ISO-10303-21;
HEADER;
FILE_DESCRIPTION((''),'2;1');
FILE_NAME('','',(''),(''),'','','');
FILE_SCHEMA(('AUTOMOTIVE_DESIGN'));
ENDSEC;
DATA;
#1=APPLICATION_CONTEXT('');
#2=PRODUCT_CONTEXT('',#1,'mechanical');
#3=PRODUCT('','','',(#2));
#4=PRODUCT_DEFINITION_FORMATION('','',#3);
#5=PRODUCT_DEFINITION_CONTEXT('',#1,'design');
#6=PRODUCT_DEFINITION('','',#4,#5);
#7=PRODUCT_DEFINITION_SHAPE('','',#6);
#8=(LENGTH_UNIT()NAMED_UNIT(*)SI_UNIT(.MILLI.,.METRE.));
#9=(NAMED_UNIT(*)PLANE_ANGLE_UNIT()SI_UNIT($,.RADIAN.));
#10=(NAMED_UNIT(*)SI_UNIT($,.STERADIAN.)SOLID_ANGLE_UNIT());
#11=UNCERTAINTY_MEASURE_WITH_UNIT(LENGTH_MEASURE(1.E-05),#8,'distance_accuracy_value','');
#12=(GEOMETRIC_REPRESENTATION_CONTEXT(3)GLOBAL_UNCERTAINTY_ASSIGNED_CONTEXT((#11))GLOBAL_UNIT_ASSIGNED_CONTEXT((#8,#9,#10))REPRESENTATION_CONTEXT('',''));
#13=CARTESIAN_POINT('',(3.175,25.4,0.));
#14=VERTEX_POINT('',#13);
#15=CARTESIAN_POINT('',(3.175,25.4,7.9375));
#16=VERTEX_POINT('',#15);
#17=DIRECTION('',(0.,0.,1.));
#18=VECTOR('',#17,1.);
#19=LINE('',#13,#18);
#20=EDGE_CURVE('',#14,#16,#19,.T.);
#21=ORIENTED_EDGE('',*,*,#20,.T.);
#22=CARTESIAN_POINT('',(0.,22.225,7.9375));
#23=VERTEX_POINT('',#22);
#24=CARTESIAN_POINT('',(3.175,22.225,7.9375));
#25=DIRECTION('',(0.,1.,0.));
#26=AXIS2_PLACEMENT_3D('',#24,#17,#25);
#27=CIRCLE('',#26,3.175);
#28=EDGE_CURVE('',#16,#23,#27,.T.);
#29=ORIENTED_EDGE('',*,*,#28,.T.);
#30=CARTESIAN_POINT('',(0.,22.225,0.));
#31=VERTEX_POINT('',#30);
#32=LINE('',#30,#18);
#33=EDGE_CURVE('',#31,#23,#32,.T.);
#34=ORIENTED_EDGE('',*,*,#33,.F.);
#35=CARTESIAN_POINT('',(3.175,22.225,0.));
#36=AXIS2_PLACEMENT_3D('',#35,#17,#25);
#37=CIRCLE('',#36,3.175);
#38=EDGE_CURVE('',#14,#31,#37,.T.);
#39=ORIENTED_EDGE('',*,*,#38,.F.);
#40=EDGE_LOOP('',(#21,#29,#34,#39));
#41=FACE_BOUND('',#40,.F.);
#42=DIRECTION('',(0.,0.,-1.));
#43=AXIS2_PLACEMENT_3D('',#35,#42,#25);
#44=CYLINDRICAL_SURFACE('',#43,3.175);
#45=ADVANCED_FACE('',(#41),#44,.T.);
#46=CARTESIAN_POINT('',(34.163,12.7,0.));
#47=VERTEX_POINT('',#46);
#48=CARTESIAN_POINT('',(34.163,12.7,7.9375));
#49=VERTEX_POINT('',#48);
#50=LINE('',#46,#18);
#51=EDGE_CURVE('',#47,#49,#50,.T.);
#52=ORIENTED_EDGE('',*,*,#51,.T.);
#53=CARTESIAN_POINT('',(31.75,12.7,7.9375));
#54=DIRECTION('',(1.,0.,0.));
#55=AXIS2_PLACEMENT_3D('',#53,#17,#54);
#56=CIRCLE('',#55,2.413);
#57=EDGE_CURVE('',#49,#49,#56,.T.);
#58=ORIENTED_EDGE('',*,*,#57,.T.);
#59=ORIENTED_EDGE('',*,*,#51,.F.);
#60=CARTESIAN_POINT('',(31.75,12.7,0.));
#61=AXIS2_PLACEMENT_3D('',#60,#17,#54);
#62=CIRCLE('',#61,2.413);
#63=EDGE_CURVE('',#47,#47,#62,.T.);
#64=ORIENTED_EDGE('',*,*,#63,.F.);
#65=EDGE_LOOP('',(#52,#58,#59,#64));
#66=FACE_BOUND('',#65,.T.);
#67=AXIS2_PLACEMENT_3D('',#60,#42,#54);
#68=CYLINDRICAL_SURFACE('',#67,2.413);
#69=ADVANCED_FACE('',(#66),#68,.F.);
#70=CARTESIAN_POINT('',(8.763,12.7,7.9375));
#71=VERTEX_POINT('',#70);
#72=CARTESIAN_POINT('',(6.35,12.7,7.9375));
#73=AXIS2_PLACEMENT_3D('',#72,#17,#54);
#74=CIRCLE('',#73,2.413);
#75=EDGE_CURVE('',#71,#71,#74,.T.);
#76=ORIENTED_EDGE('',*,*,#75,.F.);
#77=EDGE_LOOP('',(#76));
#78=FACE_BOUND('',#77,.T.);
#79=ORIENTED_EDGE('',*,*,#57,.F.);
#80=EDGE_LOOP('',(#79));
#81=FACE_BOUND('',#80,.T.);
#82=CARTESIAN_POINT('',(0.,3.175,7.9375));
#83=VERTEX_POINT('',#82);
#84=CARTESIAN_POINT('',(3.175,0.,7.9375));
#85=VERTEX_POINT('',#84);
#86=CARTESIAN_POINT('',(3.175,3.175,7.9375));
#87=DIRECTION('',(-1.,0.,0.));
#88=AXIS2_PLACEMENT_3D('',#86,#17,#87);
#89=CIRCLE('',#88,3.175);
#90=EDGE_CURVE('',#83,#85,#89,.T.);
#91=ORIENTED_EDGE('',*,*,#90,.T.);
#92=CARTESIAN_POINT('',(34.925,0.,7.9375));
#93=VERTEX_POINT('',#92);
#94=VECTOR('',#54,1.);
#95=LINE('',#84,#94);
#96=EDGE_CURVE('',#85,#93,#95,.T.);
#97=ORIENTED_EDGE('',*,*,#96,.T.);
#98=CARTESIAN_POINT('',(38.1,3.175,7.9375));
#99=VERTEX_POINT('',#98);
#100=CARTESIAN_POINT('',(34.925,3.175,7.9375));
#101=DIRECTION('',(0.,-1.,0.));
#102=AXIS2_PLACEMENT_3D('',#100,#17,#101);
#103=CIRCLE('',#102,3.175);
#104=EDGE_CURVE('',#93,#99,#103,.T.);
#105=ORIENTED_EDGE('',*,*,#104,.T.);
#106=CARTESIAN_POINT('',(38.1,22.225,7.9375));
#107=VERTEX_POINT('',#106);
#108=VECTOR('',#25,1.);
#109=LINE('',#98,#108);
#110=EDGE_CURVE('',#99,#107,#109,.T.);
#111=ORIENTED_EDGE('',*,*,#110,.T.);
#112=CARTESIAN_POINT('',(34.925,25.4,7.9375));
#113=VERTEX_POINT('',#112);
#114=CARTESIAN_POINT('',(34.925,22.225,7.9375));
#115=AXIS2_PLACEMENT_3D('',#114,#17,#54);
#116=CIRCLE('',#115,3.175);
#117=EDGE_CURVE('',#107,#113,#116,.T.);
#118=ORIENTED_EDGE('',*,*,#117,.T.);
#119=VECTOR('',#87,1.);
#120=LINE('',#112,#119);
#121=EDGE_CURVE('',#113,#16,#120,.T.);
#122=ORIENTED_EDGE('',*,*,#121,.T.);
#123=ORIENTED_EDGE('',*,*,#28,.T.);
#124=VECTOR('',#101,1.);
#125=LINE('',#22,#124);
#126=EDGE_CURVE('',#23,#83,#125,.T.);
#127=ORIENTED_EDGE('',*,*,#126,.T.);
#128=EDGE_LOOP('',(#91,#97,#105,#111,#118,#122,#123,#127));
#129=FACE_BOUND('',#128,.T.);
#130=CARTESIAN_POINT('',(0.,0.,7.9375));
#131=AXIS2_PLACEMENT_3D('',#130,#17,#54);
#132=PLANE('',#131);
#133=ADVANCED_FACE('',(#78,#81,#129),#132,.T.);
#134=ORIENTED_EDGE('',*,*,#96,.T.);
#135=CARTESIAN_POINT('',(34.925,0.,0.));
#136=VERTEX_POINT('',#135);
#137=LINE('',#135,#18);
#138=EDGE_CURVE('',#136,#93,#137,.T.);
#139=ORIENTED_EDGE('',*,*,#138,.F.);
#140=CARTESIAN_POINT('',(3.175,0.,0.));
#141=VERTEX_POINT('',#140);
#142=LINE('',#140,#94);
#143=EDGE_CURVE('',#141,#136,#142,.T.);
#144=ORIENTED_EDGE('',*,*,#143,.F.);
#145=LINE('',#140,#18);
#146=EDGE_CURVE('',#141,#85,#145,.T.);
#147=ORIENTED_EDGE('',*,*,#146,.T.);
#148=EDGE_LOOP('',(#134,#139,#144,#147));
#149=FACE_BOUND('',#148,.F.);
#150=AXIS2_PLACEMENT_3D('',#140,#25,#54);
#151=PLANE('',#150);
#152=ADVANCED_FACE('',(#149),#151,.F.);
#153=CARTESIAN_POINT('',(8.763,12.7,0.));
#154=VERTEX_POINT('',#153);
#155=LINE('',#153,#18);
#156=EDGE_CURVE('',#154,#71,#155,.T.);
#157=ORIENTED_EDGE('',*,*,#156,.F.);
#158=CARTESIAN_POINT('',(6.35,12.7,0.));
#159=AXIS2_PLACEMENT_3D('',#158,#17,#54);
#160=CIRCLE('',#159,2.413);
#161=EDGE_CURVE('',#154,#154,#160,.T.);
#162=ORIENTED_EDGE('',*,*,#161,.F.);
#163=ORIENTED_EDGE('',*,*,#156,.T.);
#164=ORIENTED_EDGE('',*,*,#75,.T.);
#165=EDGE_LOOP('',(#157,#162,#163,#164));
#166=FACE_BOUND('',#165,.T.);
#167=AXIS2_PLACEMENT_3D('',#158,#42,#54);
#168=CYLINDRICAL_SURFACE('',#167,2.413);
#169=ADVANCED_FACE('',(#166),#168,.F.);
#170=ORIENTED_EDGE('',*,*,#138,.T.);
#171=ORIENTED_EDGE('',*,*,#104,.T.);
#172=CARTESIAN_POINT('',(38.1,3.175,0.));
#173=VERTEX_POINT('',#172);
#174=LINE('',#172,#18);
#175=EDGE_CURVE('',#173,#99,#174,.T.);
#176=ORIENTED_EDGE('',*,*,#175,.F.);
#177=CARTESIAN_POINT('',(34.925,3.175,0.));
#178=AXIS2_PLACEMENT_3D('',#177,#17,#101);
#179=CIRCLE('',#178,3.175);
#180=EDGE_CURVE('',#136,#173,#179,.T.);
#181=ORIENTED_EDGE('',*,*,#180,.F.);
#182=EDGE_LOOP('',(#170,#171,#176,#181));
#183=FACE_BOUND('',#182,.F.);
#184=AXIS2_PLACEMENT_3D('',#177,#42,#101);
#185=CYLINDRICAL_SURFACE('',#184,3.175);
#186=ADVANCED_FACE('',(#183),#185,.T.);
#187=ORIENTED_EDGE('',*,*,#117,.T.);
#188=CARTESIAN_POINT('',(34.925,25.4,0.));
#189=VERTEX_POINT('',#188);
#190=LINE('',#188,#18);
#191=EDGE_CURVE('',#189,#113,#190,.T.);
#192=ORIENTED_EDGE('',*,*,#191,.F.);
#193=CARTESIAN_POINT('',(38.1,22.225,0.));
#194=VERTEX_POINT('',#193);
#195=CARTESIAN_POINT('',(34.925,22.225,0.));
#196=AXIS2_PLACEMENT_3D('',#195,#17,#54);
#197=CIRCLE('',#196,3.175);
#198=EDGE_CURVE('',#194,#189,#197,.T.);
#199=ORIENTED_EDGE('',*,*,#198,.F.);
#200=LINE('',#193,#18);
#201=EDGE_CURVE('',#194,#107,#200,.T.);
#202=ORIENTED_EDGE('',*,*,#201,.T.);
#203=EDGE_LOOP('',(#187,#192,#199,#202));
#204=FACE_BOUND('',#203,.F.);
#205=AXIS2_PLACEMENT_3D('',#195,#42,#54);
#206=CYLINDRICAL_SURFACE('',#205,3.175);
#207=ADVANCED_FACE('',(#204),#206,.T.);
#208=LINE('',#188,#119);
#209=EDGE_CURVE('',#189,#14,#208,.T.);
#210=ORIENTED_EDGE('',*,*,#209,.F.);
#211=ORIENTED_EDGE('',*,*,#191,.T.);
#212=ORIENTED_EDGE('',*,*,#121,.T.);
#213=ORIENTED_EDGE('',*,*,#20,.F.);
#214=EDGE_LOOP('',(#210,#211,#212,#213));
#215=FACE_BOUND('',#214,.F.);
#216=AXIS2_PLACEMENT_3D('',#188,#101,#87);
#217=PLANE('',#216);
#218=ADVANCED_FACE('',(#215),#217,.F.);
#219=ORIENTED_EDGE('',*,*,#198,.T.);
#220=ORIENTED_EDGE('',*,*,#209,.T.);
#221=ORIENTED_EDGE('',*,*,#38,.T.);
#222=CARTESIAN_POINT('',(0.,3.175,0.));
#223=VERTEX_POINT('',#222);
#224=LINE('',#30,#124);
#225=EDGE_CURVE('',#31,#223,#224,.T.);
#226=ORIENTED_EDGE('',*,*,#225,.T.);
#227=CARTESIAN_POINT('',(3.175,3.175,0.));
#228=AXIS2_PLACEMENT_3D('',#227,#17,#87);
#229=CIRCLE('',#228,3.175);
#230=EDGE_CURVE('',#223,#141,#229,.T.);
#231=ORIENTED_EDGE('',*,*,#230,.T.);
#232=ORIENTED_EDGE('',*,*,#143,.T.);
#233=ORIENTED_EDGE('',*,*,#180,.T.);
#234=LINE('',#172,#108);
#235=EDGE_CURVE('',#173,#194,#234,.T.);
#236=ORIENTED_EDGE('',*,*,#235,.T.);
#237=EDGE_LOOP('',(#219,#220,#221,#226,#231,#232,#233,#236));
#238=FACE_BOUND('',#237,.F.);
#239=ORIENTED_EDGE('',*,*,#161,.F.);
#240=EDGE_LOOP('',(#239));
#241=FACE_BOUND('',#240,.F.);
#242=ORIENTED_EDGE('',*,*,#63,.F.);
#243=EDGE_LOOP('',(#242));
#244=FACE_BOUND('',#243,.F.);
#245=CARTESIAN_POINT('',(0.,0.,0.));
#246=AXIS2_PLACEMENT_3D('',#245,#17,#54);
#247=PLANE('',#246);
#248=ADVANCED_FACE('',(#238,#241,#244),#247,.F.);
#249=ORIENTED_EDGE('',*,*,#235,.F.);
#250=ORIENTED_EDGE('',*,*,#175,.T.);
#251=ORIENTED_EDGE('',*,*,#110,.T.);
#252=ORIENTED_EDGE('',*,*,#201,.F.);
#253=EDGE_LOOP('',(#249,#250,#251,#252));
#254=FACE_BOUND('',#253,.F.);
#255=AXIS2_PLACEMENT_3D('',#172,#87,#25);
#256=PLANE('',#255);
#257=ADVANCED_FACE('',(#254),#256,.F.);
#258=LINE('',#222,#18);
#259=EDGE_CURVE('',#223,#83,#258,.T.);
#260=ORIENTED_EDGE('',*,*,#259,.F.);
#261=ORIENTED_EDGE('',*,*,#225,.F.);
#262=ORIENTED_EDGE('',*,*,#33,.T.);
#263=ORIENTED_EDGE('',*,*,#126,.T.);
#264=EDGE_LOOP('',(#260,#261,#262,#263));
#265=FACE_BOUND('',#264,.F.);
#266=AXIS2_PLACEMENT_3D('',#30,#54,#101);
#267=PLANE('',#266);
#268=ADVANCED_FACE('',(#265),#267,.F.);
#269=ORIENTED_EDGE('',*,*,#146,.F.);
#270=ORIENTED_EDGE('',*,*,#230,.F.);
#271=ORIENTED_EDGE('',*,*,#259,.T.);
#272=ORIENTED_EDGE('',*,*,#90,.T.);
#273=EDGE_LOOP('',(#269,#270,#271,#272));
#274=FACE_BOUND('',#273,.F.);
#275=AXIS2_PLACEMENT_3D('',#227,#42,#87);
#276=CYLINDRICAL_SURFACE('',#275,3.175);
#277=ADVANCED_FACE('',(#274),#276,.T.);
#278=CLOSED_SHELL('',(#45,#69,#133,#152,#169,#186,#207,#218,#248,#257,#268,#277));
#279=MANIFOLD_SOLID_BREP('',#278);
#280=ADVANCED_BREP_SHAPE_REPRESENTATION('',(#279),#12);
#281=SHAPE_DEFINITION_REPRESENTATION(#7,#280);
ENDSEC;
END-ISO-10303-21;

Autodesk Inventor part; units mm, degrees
ref_plane "YZ Plane" through (0, 0, 0) normal (1, 0, 0) x (0, 1, 0)
ref_plane "XZ Plane" through (0, 0, 0) normal (0, 1, 0) x (-1, 0, 0)
ref_plane "XY Plane" through (0, 0, 0) normal (0, 0, 1) x (1, 0, 0)
sketch "Sketch1" plane through (0, 0, 0) normal (0, 0, 1) x (1, 0, 0)
  line L0 (3.175, 0) -> (34.925, 0)
  line L1 (38.1, 3.175) -> (38.1, 22.225)
  line L2 (34.925, 25.4) -> (3.175, 25.4)
  line L3 (0, 22.225) -> (0, 3.175)
  circle A0 centre (6.35, 12.7) radius 2.413
  circle A1 centre (31.75, 12.7) radius 2.413
  line L4 (0, 12.7) -> (38.1, 12.7) construction
  arc A2 (3.175, 25.4) -> (0, 22.225) centre (3.175, 22.225) ccw
  arc A3 (38.1, 22.225) -> (34.925, 25.4) centre (34.925, 22.225) ccw
  arc A4 (34.925, 0) -> (38.1, 3.175) centre (34.925, 3.175) ccw
  arc A5 (0, 3.175) -> (3.175, 0) centre (3.175, 3.175) ccw
  point P0 (0, 0)
  point P1 (38.1, 25.4)
  point P2 (38.1, 0)
  point P3 (0, 25.4)
  dimension "d0" = 38.1
  dimension "d1" = 25.4
  dimension "d2" = 4.826
  dimension "d3" = 6.35
  dimension "d7" = 25.4
  dimension "d20" = 3.175
extrude "Extrusion1" add sketch "Sketch1" along normal blind 7.9375
properties part number "Bearing Mount Spacer 1-8 in" material "ABS Plastic"
